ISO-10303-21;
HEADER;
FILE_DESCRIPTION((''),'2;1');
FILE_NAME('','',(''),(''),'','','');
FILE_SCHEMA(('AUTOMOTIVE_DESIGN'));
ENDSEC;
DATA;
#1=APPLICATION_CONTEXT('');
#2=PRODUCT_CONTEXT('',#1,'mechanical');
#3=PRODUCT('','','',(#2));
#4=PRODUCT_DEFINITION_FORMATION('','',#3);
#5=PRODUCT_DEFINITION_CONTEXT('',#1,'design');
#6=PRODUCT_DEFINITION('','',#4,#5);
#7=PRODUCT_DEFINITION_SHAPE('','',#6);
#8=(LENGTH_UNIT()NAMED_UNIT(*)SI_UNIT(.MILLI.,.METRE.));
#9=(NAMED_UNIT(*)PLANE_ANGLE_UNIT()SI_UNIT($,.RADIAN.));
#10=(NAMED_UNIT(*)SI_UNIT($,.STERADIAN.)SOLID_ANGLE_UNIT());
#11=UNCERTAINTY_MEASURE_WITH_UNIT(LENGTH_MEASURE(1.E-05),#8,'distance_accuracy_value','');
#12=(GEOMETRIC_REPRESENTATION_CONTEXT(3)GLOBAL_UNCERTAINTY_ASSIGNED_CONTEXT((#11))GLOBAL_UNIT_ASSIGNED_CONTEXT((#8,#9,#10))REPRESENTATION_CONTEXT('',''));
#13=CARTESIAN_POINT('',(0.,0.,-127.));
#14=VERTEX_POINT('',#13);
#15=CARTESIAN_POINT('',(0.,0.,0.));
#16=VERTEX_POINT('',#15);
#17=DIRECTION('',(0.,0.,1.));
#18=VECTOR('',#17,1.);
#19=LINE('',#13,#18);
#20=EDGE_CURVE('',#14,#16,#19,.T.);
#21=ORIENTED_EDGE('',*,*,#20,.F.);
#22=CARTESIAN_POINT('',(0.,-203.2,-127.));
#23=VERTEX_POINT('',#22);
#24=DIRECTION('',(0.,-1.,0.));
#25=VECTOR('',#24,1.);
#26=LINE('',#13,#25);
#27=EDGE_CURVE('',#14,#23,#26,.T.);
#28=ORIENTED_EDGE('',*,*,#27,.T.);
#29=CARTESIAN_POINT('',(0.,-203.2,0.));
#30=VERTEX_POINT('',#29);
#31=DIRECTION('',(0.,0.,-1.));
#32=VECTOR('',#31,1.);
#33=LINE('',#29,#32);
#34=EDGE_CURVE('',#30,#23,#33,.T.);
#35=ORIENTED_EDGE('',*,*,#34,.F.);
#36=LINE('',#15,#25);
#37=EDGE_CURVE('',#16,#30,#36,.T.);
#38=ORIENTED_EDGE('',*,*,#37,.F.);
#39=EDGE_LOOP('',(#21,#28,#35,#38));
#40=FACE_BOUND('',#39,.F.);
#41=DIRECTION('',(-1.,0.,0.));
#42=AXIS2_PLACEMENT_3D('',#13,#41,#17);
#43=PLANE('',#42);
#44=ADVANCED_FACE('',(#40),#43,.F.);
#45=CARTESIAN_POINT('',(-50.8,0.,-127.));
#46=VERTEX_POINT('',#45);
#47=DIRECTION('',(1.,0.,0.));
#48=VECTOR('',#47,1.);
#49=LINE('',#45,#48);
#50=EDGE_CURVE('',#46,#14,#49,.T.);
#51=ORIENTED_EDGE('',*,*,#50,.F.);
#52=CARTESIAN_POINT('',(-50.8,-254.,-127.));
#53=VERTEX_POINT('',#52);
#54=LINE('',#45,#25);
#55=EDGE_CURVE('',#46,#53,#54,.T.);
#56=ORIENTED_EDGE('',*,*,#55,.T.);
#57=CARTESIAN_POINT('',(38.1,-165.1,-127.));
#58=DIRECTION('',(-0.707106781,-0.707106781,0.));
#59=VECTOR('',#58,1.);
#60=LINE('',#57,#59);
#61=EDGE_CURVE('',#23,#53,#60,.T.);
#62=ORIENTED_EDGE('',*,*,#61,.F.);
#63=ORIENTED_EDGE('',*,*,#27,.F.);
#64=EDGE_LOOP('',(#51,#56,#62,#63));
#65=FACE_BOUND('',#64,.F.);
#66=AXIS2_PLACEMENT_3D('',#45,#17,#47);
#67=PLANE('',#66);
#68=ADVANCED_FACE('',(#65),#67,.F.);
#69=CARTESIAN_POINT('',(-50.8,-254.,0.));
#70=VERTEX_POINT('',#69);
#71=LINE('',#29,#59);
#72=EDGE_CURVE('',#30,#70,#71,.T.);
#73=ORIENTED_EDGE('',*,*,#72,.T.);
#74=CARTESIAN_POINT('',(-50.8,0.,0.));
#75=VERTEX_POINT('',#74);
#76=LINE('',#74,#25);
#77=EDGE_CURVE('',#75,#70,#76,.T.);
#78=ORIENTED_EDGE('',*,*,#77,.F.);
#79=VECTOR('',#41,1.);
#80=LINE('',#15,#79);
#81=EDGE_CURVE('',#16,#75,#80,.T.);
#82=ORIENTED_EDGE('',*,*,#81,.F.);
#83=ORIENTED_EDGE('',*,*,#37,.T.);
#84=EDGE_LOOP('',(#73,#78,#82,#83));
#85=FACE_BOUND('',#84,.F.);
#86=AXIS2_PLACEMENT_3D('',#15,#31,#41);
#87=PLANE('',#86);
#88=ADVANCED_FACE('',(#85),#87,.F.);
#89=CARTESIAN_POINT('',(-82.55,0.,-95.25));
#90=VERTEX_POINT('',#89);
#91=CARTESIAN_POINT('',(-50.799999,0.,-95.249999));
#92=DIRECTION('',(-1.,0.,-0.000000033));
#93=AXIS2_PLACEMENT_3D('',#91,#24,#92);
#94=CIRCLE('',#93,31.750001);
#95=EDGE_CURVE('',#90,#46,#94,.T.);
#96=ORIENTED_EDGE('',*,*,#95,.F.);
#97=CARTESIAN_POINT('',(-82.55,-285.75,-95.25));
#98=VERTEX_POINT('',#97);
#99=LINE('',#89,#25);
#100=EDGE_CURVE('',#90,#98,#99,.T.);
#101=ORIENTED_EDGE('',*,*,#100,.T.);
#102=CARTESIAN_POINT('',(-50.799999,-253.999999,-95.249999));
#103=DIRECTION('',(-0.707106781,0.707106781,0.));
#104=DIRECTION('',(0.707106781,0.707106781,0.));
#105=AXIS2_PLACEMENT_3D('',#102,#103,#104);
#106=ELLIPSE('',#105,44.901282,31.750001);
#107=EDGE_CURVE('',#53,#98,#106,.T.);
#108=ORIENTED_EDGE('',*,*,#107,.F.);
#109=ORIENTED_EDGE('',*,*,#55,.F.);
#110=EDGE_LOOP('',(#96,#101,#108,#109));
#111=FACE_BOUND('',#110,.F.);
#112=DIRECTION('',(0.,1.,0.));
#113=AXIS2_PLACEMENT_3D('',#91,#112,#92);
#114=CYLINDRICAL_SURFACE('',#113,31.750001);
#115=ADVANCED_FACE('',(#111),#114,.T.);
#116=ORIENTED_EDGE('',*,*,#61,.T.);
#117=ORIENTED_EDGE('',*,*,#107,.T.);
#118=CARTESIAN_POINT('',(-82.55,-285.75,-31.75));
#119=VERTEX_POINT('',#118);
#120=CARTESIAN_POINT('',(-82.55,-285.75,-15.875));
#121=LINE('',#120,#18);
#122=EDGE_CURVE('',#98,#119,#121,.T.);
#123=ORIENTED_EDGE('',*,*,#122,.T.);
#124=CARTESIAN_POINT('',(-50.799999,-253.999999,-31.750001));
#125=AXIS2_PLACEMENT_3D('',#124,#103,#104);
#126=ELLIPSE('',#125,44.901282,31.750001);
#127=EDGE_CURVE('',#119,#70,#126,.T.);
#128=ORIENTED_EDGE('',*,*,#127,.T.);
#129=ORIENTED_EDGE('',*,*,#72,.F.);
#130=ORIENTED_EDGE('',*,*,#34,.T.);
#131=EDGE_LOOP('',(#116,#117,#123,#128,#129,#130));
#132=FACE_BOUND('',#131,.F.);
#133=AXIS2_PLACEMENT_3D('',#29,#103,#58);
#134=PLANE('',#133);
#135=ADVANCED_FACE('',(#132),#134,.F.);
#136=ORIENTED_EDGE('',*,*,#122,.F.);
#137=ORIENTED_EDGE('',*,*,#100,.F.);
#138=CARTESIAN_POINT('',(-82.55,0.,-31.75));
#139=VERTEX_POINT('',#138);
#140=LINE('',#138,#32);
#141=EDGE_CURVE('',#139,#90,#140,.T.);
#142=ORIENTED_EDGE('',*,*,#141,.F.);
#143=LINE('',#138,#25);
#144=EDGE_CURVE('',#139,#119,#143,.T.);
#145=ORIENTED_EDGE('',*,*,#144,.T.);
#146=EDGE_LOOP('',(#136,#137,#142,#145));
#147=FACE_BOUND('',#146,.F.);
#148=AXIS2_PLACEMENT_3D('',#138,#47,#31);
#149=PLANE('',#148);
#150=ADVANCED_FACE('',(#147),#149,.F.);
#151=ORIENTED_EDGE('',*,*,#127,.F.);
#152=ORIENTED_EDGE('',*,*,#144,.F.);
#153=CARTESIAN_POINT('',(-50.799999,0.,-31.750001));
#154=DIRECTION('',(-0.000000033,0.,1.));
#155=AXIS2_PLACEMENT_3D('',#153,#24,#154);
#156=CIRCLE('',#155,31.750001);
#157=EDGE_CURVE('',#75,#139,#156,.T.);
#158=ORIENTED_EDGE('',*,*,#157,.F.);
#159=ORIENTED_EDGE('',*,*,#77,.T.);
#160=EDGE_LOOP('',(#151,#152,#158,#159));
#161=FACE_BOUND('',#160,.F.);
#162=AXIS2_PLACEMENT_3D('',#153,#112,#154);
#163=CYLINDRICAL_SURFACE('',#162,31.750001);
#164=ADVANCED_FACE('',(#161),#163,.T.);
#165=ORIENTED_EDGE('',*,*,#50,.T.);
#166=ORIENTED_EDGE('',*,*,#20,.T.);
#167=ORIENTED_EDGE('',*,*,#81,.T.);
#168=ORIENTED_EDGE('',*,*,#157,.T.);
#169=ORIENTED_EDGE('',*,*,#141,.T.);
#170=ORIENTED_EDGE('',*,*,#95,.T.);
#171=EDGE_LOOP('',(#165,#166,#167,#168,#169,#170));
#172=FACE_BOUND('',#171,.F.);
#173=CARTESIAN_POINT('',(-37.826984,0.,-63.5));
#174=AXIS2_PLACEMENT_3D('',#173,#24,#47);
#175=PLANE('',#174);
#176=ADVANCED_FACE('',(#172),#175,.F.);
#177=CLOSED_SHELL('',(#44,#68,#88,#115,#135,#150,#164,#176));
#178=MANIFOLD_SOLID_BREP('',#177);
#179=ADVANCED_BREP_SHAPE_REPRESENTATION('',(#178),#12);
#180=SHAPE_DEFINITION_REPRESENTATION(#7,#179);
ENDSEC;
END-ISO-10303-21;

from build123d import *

# Parameters (mm, degrees)
F1_DEPTH = 355.6
F3_DEPTH = 127.001


with BuildPart() as f1:
    # F0 (on Front) → F1 (new body)
    with BuildSketch(Plane.XZ):
        with BuildLine():
            Line((0, -127), (0, 0))
            Line((0, 0), (-50.8, 0))
            ThreePointArc((-50.8, 0), (-73.25064, -9.29936), (-82.55, -31.75))
            Line((-82.55, -31.75), (-82.55, -95.25))
            ThreePointArc((-82.55, -95.25), (-73.25064, -117.70064), (-50.8, -127))
            Line((-50.8, -127), (0, -127))
        make_face()
    extrude(amount=F1_DEPTH)

    # F2 (on face) → F3 (cut, through all)
    with BuildSketch(Plane.XY):
        Polygon((0, -355.6), (0, -203.2), (-152.4, -355.6), align=None)
    extrude(amount=-F3_DEPTH, mode=Mode.SUBTRACT)


solid = f1.part
